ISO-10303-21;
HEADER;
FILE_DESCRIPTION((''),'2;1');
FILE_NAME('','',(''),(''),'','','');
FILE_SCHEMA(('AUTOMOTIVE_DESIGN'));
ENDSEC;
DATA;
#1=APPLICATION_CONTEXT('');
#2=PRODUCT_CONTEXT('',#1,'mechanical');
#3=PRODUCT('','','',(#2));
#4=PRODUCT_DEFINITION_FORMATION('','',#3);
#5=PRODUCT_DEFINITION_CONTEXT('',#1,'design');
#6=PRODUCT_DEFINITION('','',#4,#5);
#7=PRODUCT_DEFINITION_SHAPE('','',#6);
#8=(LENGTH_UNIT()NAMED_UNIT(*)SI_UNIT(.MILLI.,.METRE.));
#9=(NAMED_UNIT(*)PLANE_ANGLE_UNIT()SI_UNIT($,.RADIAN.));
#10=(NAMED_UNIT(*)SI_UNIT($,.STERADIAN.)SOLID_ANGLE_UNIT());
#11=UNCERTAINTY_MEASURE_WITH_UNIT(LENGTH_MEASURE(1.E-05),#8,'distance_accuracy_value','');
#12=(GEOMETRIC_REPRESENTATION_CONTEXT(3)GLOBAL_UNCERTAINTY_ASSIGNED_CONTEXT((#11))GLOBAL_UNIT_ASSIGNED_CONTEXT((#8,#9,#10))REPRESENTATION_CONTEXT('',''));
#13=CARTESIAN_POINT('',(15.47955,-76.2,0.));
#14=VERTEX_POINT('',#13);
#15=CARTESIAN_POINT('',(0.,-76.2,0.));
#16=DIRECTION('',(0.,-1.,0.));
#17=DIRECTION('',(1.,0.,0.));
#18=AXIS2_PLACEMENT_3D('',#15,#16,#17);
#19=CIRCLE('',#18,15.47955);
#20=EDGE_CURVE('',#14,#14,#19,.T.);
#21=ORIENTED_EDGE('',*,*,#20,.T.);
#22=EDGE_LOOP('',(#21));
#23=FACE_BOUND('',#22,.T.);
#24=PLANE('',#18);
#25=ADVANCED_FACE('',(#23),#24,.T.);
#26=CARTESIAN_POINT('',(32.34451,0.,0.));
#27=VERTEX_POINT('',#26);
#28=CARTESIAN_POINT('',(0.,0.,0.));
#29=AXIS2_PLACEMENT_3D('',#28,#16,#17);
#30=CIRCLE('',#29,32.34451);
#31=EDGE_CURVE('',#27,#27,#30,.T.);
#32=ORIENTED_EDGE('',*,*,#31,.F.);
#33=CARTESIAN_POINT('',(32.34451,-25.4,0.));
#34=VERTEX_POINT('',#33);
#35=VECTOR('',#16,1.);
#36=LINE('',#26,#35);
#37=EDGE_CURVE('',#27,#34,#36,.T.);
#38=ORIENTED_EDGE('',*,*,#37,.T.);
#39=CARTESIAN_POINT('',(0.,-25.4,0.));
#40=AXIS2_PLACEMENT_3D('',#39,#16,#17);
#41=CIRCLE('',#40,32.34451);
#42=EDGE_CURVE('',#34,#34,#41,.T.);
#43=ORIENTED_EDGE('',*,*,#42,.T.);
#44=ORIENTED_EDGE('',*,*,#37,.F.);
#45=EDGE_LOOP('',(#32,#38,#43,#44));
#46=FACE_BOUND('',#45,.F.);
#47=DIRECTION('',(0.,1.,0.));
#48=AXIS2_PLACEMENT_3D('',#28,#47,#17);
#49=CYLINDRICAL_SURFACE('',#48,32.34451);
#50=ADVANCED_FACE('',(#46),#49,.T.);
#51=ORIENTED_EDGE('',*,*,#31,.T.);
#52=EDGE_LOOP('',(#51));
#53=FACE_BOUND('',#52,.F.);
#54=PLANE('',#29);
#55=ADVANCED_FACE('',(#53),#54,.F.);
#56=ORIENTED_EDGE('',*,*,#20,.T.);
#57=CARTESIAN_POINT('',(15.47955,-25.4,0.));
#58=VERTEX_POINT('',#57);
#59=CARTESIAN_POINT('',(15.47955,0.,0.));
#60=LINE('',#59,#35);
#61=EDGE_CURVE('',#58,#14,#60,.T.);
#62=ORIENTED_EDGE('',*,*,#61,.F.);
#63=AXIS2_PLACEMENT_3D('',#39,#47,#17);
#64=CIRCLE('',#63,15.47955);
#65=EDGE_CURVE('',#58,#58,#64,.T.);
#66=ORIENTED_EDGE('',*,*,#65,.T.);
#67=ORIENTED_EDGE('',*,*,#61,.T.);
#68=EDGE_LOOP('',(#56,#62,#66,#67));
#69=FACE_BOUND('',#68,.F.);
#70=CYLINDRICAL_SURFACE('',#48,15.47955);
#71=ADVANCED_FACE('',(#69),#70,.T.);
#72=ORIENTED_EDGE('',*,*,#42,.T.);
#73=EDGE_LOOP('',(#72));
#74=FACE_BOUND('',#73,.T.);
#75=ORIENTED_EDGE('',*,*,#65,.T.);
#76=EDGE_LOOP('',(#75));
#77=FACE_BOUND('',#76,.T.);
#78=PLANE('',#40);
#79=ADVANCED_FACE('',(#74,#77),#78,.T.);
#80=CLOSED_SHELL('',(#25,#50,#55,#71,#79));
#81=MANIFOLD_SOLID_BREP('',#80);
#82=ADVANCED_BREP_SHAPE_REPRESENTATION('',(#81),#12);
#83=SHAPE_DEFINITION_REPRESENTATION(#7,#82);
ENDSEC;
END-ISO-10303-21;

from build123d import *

# Parameters (mm, degrees)
F0_R     = 32.34451
F1_DEPTH = 25.4
F2_R     = 15.47955
F3_DEPTH = 76.2
F4_R     = 8.094694
F5_DEPTH = 25.4


with BuildPart() as f1:
    # F0 (on Front) → F1 (new body)
    with BuildSketch(Plane.XZ):
        Circle(F0_R)
    extrude(amount=F1_DEPTH)

    # F2 (on Front) → F3 (join)
    with BuildSketch(Plane.XZ):
        Circle(F2_R)
    extrude(amount=F3_DEPTH)

    # F4 (on Front) → F5 (cut)
    with BuildSketch(Plane.XZ):
        Circle(F4_R)
    extrude(amount=-F5_DEPTH, mode=Mode.SUBTRACT)


solid = f1.part
